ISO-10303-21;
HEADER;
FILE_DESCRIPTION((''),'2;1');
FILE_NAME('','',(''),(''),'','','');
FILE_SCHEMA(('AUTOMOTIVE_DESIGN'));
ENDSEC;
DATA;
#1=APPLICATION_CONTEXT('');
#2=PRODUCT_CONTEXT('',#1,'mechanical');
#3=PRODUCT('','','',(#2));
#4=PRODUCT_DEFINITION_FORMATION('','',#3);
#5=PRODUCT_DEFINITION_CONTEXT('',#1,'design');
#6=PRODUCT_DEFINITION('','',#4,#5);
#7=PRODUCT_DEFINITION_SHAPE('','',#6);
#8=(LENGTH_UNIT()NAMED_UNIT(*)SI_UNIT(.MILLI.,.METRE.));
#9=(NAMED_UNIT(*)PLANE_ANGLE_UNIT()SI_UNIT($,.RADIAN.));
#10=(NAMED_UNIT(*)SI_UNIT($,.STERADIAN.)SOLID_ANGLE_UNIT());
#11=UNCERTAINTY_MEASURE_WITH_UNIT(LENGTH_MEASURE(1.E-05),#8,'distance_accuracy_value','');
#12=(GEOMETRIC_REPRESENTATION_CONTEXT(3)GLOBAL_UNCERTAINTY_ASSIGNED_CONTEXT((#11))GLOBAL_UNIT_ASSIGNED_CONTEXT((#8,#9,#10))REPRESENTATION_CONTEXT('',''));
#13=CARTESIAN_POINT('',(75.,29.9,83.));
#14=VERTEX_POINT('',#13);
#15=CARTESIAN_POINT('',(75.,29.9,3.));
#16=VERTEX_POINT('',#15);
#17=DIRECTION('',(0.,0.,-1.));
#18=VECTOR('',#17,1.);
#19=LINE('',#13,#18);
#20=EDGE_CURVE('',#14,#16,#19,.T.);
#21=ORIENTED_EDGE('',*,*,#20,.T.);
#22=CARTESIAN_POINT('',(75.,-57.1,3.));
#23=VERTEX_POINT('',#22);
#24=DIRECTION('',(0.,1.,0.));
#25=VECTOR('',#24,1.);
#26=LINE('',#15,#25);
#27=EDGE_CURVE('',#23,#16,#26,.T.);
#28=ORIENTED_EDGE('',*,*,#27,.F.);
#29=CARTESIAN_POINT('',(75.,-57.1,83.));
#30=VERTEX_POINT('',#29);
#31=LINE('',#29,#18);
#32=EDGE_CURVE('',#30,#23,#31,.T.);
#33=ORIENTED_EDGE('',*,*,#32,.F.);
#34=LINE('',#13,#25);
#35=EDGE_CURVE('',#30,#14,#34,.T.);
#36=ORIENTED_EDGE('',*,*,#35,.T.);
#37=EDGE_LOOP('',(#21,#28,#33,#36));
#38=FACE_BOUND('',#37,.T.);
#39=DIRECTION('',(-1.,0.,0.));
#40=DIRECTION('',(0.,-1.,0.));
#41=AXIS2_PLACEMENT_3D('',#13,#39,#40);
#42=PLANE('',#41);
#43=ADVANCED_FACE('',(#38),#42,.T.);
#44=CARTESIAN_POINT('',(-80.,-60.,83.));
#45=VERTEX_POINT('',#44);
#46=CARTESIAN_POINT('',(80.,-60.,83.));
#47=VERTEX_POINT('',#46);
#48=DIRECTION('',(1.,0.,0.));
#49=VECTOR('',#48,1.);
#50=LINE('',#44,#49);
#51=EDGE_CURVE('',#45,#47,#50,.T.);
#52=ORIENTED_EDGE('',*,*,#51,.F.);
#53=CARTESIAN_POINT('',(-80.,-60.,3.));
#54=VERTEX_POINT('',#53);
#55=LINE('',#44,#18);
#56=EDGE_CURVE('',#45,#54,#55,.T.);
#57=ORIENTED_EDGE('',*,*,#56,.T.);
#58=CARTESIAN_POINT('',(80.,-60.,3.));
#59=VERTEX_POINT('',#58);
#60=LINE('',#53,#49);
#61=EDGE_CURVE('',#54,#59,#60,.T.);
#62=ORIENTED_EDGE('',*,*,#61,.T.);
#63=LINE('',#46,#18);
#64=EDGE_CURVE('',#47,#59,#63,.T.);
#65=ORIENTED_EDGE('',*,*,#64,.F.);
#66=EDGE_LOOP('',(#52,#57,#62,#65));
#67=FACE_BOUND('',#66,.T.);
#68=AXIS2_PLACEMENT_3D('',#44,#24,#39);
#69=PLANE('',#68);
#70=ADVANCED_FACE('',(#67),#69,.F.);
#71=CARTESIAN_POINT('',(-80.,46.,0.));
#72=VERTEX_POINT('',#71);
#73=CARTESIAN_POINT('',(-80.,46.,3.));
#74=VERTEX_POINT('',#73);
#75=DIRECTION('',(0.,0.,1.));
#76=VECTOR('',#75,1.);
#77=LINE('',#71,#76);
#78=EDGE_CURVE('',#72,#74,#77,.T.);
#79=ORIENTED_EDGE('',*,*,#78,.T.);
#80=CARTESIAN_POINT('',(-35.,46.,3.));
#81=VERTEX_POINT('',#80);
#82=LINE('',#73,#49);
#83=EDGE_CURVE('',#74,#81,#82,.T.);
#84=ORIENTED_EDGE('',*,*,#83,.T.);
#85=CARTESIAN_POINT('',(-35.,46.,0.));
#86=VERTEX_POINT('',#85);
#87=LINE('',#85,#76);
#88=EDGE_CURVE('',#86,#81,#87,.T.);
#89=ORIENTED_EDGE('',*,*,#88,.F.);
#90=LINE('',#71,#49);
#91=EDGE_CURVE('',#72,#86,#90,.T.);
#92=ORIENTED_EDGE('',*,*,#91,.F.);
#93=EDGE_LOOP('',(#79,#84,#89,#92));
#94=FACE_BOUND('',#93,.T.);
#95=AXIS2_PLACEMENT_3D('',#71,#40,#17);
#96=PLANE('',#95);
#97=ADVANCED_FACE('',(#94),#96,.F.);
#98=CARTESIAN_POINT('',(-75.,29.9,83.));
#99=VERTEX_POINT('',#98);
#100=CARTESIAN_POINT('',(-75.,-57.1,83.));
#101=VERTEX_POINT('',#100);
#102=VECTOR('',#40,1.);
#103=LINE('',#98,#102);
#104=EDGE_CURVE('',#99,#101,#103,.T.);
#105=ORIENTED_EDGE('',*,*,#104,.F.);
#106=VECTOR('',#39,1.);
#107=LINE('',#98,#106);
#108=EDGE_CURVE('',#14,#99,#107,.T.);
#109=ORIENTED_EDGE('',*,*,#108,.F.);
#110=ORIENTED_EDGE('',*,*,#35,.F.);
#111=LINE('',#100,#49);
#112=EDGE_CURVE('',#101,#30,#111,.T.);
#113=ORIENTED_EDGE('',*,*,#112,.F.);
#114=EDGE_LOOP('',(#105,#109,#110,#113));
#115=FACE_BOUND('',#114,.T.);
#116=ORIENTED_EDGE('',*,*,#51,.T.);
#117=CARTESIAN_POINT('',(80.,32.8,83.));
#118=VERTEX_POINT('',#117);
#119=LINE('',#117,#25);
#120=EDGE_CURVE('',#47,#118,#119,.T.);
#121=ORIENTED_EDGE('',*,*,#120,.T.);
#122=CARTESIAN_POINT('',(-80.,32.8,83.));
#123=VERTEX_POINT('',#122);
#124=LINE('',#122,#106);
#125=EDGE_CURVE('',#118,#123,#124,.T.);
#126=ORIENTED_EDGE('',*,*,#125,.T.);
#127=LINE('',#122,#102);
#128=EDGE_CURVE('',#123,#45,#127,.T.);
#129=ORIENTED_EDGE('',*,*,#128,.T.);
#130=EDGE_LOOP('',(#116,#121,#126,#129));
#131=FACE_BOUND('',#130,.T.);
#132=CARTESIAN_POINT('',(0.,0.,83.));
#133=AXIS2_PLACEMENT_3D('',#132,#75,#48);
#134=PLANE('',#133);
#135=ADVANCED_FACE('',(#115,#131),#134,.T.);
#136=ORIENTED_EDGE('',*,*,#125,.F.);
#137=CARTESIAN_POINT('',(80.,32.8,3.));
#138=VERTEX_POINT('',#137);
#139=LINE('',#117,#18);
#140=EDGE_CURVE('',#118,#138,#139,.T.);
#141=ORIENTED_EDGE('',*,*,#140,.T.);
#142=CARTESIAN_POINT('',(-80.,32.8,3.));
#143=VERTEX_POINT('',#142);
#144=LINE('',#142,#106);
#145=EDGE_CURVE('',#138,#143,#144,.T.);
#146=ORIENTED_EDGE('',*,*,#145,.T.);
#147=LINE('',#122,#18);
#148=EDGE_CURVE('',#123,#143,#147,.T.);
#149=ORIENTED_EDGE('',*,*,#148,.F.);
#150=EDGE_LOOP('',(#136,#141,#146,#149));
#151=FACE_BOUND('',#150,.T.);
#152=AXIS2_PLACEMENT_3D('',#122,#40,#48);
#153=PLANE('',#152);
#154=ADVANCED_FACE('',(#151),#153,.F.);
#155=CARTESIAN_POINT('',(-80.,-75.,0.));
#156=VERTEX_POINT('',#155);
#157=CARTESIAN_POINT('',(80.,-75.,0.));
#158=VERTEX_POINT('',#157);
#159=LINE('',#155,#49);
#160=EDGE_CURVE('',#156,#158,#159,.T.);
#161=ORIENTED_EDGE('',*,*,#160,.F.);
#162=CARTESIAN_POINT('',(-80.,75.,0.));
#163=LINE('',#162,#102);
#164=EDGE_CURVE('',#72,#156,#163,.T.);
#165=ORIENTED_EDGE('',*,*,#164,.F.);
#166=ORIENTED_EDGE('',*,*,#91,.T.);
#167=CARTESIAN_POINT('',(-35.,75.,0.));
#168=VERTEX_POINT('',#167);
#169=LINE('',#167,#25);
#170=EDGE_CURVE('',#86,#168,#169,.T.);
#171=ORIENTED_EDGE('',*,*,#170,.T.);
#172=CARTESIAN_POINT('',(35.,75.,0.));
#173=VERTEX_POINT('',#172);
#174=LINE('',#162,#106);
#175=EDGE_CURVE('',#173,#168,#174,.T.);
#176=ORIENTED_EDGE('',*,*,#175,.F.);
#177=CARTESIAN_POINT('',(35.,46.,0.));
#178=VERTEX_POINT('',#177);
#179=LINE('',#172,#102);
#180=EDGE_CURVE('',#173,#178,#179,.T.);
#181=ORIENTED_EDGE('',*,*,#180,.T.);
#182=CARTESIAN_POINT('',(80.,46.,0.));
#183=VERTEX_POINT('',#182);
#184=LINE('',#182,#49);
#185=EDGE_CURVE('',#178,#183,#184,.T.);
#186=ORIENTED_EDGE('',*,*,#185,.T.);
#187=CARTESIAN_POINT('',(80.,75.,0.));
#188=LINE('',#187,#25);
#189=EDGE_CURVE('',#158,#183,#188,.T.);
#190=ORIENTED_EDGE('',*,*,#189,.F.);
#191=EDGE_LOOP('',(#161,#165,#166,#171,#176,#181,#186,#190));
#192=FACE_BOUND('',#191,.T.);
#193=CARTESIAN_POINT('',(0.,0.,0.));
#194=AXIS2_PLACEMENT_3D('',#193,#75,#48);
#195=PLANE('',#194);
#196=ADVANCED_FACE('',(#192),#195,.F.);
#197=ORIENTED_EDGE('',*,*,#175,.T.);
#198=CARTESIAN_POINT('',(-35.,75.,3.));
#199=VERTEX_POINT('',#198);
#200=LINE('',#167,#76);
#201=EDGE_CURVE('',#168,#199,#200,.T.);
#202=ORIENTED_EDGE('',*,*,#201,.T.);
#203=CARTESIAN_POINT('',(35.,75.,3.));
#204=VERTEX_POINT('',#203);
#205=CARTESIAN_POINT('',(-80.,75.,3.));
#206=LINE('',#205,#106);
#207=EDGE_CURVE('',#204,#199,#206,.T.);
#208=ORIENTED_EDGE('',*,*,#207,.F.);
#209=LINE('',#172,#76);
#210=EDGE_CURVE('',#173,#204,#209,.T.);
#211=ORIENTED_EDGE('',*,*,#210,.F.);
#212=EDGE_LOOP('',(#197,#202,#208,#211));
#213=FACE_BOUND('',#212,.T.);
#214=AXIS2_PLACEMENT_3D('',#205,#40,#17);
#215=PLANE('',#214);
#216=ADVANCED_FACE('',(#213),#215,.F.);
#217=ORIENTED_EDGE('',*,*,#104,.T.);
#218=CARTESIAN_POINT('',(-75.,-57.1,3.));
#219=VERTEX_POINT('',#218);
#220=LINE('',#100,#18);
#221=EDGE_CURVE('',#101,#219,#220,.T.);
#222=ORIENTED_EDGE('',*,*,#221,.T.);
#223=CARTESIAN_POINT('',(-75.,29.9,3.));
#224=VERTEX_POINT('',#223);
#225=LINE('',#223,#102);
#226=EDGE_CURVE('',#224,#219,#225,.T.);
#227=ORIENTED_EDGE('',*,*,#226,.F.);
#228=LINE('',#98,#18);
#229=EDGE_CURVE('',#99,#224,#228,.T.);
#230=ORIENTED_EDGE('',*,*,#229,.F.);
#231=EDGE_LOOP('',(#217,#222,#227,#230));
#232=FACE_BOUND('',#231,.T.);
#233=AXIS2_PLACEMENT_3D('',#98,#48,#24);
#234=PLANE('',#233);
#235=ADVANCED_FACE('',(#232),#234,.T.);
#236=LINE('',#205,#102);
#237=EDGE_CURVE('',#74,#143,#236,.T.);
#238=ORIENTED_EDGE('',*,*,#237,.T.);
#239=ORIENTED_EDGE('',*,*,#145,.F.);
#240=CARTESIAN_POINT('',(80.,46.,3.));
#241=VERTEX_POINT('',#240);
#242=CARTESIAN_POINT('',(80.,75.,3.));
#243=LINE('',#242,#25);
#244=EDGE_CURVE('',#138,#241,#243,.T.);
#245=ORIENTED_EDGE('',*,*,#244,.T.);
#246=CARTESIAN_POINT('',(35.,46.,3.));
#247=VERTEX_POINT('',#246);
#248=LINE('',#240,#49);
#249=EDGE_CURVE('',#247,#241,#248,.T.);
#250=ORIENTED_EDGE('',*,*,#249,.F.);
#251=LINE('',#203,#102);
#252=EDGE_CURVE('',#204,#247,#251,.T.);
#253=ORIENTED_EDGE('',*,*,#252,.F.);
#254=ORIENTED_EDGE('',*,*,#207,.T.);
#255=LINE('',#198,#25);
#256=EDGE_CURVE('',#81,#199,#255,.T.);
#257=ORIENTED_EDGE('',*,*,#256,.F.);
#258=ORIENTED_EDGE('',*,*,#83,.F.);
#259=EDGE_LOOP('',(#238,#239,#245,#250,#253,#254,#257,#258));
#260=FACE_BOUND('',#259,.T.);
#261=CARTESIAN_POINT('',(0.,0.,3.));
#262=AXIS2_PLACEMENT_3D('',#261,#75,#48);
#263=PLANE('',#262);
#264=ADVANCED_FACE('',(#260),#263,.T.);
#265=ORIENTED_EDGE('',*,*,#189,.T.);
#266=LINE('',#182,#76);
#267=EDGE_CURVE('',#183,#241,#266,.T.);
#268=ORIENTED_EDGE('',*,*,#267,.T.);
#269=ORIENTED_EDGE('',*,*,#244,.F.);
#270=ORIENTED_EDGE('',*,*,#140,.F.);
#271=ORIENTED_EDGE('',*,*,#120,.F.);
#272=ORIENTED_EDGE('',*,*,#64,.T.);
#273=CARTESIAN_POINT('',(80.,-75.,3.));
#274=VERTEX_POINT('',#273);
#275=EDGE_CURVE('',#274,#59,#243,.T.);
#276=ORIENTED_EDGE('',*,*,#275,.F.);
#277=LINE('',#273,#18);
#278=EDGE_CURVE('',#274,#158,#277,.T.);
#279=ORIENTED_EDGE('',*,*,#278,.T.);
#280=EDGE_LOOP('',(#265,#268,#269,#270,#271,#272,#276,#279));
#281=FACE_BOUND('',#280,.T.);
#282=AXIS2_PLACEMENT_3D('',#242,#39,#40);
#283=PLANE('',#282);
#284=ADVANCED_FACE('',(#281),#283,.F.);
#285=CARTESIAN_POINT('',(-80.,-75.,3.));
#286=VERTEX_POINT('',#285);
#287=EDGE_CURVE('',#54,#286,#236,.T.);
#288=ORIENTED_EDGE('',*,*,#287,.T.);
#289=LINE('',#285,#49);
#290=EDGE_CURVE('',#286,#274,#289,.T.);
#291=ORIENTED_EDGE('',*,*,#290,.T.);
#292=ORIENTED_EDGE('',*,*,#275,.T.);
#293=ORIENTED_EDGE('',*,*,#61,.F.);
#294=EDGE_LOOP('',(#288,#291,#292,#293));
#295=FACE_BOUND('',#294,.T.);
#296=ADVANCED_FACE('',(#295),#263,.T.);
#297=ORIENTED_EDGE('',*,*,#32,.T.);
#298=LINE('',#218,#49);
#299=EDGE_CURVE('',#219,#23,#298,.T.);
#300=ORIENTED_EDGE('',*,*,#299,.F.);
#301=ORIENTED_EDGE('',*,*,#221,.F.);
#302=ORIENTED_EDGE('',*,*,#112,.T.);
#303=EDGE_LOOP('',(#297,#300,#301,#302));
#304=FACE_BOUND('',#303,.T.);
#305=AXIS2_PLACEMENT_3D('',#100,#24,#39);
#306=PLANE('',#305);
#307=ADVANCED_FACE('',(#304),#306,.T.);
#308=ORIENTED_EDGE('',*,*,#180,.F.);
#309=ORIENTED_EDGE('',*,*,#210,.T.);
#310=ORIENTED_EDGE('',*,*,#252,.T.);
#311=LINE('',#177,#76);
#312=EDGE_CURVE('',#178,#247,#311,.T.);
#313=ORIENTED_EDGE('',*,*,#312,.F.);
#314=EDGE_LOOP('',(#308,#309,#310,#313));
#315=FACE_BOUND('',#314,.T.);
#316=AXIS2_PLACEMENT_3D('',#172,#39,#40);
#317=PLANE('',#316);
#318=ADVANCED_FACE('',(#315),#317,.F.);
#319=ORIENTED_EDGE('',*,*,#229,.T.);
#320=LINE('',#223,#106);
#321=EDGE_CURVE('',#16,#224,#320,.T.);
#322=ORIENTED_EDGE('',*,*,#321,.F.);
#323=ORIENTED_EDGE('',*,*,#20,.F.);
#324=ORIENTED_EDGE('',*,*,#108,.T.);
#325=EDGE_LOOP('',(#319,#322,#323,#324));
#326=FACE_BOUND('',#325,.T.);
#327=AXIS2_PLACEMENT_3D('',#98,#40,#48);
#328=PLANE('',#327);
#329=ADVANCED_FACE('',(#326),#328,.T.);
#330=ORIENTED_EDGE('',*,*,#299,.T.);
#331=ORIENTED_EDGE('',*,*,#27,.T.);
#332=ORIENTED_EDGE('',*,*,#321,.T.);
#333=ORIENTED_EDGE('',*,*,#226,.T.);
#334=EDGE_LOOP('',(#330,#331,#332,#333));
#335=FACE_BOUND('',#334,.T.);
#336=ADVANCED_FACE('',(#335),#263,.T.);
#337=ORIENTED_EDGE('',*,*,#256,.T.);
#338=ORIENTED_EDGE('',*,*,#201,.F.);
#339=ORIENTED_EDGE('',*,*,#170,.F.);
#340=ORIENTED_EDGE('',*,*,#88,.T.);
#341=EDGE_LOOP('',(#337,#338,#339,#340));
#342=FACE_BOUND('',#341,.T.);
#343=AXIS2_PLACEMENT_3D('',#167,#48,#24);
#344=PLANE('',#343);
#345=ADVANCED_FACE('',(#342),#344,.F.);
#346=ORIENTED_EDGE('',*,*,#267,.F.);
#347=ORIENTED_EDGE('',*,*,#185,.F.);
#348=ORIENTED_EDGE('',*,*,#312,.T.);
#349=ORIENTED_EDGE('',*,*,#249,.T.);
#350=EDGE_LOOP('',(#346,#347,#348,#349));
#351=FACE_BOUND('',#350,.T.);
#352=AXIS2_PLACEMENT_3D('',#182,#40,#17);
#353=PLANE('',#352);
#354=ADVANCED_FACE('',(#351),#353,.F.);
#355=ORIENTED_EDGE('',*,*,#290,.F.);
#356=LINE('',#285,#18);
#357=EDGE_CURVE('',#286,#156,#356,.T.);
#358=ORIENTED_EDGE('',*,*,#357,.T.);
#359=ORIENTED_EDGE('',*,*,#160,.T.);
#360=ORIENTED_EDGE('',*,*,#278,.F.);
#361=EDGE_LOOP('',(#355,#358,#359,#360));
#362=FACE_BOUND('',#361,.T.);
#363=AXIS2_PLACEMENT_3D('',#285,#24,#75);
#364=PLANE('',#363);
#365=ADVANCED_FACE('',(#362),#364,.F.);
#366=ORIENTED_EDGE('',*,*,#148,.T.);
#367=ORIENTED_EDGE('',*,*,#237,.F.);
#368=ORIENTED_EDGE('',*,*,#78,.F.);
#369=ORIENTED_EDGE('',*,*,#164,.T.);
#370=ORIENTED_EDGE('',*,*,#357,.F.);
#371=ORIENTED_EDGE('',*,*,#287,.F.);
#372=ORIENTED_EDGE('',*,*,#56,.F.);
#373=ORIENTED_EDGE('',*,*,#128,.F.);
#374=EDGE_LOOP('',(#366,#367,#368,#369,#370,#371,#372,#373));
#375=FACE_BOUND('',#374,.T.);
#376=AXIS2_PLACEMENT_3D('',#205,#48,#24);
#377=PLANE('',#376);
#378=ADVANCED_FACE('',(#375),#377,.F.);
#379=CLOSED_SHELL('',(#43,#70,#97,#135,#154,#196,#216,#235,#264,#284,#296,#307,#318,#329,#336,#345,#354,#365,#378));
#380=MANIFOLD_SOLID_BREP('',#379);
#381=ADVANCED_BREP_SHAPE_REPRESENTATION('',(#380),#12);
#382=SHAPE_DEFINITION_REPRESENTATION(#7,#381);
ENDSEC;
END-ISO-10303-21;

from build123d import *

# Parameters (mm, degrees)
SKETCH_1_W          = 160
SKETCH_1_H          = 150
EXTRUDE_1_DEPTH     = 3
SKETCH_2_W          = 160
SKETCH_2_H          = 92.8
SKETCH_2_W_2        = 150
SKETCH_2_H_2        = 87
EXTRUDE_2_DEPTH     = 80
SKETCH_4_W          = 45
SKETCH_4_H          = 29
CUT_EXTRUDE_2_DEPTH = 3


with BuildPart() as part:
    # ｽｹｯﾁ1 → ﾎﾞｽ - 押し出し1 (new body)
    with BuildSketch(Plane.XY):
        Rectangle(SKETCH_1_W, SKETCH_1_H)
    extrude(amount=EXTRUDE_1_DEPTH)

    # ｽｹｯﾁ2 → ﾎﾞｽ - 押し出し2 (add)
    with BuildSketch(Plane.XY.offset(3)):
        with Locations((0, -13.6)):
            Rectangle(SKETCH_2_W, SKETCH_2_H)
        with Locations((0, -13.6)):
            Rectangle(SKETCH_2_W_2, SKETCH_2_H_2, mode=Mode.SUBTRACT)
    extrude(amount=EXTRUDE_2_DEPTH)

    # ｽｹｯﾁ4 → ｶｯﾄ - 押し出し2 (cut)
    with BuildSketch(Plane.XY.offset(3)):
        with Locations((-57.5, 60.5)):
            Rectangle(SKETCH_4_W, SKETCH_4_H)
        with Locations((57.5, 60.5)):
            Rectangle(SKETCH_4_W, SKETCH_4_H)
    extrude(amount=-CUT_EXTRUDE_2_DEPTH, mode=Mode.SUBTRACT)


solid = part.part
